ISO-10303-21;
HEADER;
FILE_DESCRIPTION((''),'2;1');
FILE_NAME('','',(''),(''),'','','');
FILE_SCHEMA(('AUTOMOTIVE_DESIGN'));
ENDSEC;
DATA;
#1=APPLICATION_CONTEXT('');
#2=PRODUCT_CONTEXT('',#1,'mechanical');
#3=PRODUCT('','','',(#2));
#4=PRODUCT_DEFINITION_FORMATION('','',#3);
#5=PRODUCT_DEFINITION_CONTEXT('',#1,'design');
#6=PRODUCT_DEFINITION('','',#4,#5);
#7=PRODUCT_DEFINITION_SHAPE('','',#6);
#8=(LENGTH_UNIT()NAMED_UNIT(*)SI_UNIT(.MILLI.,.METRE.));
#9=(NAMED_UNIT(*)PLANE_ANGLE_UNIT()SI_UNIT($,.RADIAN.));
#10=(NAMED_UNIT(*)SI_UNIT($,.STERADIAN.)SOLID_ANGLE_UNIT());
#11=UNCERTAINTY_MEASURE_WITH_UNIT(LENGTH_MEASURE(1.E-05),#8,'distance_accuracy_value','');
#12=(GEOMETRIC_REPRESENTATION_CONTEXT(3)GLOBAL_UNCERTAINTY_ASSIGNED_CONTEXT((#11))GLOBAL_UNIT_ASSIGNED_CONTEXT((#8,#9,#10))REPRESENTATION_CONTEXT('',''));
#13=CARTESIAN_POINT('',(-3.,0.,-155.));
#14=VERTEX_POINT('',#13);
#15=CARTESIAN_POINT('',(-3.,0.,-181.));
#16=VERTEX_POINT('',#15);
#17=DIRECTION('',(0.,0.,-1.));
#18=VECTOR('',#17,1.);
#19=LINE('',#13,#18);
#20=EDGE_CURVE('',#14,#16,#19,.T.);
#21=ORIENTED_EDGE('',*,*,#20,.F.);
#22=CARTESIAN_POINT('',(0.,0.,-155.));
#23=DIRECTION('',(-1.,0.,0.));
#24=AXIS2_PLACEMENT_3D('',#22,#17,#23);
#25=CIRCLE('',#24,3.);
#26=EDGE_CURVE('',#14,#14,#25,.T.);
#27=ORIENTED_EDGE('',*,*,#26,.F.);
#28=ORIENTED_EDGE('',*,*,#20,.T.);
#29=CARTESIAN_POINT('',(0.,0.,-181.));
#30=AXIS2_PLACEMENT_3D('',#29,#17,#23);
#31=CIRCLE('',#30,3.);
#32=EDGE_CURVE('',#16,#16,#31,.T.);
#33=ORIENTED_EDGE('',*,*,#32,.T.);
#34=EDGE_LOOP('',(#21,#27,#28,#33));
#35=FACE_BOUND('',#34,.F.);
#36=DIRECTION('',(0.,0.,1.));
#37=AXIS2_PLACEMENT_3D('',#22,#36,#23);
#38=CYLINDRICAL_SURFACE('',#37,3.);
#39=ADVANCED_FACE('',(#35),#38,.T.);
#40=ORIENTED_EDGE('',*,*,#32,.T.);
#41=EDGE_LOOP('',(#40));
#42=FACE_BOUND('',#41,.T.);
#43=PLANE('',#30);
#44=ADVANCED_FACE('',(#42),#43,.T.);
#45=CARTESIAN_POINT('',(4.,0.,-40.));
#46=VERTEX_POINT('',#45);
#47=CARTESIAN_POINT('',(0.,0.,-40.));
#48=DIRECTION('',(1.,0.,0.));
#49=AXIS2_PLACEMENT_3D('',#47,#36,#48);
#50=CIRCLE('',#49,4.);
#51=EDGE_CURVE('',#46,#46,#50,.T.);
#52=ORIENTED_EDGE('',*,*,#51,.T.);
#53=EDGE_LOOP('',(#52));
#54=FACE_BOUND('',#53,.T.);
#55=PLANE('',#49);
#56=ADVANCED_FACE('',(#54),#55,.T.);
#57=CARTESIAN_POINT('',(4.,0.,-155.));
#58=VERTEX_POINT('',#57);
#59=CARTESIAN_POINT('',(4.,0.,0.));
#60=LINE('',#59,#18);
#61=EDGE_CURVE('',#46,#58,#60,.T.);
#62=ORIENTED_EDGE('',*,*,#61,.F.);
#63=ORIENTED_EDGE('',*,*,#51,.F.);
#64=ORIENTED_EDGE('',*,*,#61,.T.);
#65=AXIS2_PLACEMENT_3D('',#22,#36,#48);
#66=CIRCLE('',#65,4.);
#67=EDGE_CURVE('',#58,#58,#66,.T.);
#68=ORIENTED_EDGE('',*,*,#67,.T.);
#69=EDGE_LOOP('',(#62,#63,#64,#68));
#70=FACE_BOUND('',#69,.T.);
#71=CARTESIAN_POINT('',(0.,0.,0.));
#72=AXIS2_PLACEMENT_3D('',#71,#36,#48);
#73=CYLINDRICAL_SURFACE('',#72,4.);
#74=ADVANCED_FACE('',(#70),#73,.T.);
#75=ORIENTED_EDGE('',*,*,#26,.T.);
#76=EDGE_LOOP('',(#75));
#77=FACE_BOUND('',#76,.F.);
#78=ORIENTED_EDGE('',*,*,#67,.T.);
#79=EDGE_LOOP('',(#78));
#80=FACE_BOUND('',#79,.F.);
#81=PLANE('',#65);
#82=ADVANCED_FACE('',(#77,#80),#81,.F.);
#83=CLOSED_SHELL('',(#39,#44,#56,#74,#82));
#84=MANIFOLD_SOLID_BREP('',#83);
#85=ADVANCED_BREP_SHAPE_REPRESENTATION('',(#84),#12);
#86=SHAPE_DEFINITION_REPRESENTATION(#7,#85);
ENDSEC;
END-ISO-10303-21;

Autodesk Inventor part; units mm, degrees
ref_plane "YZ Plane" through (0, 0, 0) normal (1, 0, 0) x (0, 1, 0)
ref_plane "XZ Plane" through (0, 0, 0) normal (0, 1, 0) x (-1, 0, 0)
ref_plane "XY Plane" through (0, 0, 0) normal (0, 0, 1) x (1, 0, 0)
sketch "スケッチ1" plane through (0, 0, 0) normal (0, 0, 1) x (1, 0, 0)
  circle A0 centre (0, 0) radius 4
  dimension "d0" = 8
extrude "押し出し1" add sketch "スケッチ1" against normal blind 155
sketch "スケッチ2" plane through (0, 0, -155) normal (0, 0, -1) x (-1, 0, 0)
  circle A0 centre (0, 0) radius 3
  dimension "d3" = 6
extrude "押し出し2" add sketch "スケッチ2" along normal blind 26
sketch "スケッチ3" plane through (0, 0, 0) normal (0, 0, 1) x (1, 0, 0)
  circle A0 centre (0, 0) radius 9.5613
extrude "押し出し3" cut sketch "スケッチ3" against normal blind 40
properties part number "円柱8mm" material "ステンレス鋼"
